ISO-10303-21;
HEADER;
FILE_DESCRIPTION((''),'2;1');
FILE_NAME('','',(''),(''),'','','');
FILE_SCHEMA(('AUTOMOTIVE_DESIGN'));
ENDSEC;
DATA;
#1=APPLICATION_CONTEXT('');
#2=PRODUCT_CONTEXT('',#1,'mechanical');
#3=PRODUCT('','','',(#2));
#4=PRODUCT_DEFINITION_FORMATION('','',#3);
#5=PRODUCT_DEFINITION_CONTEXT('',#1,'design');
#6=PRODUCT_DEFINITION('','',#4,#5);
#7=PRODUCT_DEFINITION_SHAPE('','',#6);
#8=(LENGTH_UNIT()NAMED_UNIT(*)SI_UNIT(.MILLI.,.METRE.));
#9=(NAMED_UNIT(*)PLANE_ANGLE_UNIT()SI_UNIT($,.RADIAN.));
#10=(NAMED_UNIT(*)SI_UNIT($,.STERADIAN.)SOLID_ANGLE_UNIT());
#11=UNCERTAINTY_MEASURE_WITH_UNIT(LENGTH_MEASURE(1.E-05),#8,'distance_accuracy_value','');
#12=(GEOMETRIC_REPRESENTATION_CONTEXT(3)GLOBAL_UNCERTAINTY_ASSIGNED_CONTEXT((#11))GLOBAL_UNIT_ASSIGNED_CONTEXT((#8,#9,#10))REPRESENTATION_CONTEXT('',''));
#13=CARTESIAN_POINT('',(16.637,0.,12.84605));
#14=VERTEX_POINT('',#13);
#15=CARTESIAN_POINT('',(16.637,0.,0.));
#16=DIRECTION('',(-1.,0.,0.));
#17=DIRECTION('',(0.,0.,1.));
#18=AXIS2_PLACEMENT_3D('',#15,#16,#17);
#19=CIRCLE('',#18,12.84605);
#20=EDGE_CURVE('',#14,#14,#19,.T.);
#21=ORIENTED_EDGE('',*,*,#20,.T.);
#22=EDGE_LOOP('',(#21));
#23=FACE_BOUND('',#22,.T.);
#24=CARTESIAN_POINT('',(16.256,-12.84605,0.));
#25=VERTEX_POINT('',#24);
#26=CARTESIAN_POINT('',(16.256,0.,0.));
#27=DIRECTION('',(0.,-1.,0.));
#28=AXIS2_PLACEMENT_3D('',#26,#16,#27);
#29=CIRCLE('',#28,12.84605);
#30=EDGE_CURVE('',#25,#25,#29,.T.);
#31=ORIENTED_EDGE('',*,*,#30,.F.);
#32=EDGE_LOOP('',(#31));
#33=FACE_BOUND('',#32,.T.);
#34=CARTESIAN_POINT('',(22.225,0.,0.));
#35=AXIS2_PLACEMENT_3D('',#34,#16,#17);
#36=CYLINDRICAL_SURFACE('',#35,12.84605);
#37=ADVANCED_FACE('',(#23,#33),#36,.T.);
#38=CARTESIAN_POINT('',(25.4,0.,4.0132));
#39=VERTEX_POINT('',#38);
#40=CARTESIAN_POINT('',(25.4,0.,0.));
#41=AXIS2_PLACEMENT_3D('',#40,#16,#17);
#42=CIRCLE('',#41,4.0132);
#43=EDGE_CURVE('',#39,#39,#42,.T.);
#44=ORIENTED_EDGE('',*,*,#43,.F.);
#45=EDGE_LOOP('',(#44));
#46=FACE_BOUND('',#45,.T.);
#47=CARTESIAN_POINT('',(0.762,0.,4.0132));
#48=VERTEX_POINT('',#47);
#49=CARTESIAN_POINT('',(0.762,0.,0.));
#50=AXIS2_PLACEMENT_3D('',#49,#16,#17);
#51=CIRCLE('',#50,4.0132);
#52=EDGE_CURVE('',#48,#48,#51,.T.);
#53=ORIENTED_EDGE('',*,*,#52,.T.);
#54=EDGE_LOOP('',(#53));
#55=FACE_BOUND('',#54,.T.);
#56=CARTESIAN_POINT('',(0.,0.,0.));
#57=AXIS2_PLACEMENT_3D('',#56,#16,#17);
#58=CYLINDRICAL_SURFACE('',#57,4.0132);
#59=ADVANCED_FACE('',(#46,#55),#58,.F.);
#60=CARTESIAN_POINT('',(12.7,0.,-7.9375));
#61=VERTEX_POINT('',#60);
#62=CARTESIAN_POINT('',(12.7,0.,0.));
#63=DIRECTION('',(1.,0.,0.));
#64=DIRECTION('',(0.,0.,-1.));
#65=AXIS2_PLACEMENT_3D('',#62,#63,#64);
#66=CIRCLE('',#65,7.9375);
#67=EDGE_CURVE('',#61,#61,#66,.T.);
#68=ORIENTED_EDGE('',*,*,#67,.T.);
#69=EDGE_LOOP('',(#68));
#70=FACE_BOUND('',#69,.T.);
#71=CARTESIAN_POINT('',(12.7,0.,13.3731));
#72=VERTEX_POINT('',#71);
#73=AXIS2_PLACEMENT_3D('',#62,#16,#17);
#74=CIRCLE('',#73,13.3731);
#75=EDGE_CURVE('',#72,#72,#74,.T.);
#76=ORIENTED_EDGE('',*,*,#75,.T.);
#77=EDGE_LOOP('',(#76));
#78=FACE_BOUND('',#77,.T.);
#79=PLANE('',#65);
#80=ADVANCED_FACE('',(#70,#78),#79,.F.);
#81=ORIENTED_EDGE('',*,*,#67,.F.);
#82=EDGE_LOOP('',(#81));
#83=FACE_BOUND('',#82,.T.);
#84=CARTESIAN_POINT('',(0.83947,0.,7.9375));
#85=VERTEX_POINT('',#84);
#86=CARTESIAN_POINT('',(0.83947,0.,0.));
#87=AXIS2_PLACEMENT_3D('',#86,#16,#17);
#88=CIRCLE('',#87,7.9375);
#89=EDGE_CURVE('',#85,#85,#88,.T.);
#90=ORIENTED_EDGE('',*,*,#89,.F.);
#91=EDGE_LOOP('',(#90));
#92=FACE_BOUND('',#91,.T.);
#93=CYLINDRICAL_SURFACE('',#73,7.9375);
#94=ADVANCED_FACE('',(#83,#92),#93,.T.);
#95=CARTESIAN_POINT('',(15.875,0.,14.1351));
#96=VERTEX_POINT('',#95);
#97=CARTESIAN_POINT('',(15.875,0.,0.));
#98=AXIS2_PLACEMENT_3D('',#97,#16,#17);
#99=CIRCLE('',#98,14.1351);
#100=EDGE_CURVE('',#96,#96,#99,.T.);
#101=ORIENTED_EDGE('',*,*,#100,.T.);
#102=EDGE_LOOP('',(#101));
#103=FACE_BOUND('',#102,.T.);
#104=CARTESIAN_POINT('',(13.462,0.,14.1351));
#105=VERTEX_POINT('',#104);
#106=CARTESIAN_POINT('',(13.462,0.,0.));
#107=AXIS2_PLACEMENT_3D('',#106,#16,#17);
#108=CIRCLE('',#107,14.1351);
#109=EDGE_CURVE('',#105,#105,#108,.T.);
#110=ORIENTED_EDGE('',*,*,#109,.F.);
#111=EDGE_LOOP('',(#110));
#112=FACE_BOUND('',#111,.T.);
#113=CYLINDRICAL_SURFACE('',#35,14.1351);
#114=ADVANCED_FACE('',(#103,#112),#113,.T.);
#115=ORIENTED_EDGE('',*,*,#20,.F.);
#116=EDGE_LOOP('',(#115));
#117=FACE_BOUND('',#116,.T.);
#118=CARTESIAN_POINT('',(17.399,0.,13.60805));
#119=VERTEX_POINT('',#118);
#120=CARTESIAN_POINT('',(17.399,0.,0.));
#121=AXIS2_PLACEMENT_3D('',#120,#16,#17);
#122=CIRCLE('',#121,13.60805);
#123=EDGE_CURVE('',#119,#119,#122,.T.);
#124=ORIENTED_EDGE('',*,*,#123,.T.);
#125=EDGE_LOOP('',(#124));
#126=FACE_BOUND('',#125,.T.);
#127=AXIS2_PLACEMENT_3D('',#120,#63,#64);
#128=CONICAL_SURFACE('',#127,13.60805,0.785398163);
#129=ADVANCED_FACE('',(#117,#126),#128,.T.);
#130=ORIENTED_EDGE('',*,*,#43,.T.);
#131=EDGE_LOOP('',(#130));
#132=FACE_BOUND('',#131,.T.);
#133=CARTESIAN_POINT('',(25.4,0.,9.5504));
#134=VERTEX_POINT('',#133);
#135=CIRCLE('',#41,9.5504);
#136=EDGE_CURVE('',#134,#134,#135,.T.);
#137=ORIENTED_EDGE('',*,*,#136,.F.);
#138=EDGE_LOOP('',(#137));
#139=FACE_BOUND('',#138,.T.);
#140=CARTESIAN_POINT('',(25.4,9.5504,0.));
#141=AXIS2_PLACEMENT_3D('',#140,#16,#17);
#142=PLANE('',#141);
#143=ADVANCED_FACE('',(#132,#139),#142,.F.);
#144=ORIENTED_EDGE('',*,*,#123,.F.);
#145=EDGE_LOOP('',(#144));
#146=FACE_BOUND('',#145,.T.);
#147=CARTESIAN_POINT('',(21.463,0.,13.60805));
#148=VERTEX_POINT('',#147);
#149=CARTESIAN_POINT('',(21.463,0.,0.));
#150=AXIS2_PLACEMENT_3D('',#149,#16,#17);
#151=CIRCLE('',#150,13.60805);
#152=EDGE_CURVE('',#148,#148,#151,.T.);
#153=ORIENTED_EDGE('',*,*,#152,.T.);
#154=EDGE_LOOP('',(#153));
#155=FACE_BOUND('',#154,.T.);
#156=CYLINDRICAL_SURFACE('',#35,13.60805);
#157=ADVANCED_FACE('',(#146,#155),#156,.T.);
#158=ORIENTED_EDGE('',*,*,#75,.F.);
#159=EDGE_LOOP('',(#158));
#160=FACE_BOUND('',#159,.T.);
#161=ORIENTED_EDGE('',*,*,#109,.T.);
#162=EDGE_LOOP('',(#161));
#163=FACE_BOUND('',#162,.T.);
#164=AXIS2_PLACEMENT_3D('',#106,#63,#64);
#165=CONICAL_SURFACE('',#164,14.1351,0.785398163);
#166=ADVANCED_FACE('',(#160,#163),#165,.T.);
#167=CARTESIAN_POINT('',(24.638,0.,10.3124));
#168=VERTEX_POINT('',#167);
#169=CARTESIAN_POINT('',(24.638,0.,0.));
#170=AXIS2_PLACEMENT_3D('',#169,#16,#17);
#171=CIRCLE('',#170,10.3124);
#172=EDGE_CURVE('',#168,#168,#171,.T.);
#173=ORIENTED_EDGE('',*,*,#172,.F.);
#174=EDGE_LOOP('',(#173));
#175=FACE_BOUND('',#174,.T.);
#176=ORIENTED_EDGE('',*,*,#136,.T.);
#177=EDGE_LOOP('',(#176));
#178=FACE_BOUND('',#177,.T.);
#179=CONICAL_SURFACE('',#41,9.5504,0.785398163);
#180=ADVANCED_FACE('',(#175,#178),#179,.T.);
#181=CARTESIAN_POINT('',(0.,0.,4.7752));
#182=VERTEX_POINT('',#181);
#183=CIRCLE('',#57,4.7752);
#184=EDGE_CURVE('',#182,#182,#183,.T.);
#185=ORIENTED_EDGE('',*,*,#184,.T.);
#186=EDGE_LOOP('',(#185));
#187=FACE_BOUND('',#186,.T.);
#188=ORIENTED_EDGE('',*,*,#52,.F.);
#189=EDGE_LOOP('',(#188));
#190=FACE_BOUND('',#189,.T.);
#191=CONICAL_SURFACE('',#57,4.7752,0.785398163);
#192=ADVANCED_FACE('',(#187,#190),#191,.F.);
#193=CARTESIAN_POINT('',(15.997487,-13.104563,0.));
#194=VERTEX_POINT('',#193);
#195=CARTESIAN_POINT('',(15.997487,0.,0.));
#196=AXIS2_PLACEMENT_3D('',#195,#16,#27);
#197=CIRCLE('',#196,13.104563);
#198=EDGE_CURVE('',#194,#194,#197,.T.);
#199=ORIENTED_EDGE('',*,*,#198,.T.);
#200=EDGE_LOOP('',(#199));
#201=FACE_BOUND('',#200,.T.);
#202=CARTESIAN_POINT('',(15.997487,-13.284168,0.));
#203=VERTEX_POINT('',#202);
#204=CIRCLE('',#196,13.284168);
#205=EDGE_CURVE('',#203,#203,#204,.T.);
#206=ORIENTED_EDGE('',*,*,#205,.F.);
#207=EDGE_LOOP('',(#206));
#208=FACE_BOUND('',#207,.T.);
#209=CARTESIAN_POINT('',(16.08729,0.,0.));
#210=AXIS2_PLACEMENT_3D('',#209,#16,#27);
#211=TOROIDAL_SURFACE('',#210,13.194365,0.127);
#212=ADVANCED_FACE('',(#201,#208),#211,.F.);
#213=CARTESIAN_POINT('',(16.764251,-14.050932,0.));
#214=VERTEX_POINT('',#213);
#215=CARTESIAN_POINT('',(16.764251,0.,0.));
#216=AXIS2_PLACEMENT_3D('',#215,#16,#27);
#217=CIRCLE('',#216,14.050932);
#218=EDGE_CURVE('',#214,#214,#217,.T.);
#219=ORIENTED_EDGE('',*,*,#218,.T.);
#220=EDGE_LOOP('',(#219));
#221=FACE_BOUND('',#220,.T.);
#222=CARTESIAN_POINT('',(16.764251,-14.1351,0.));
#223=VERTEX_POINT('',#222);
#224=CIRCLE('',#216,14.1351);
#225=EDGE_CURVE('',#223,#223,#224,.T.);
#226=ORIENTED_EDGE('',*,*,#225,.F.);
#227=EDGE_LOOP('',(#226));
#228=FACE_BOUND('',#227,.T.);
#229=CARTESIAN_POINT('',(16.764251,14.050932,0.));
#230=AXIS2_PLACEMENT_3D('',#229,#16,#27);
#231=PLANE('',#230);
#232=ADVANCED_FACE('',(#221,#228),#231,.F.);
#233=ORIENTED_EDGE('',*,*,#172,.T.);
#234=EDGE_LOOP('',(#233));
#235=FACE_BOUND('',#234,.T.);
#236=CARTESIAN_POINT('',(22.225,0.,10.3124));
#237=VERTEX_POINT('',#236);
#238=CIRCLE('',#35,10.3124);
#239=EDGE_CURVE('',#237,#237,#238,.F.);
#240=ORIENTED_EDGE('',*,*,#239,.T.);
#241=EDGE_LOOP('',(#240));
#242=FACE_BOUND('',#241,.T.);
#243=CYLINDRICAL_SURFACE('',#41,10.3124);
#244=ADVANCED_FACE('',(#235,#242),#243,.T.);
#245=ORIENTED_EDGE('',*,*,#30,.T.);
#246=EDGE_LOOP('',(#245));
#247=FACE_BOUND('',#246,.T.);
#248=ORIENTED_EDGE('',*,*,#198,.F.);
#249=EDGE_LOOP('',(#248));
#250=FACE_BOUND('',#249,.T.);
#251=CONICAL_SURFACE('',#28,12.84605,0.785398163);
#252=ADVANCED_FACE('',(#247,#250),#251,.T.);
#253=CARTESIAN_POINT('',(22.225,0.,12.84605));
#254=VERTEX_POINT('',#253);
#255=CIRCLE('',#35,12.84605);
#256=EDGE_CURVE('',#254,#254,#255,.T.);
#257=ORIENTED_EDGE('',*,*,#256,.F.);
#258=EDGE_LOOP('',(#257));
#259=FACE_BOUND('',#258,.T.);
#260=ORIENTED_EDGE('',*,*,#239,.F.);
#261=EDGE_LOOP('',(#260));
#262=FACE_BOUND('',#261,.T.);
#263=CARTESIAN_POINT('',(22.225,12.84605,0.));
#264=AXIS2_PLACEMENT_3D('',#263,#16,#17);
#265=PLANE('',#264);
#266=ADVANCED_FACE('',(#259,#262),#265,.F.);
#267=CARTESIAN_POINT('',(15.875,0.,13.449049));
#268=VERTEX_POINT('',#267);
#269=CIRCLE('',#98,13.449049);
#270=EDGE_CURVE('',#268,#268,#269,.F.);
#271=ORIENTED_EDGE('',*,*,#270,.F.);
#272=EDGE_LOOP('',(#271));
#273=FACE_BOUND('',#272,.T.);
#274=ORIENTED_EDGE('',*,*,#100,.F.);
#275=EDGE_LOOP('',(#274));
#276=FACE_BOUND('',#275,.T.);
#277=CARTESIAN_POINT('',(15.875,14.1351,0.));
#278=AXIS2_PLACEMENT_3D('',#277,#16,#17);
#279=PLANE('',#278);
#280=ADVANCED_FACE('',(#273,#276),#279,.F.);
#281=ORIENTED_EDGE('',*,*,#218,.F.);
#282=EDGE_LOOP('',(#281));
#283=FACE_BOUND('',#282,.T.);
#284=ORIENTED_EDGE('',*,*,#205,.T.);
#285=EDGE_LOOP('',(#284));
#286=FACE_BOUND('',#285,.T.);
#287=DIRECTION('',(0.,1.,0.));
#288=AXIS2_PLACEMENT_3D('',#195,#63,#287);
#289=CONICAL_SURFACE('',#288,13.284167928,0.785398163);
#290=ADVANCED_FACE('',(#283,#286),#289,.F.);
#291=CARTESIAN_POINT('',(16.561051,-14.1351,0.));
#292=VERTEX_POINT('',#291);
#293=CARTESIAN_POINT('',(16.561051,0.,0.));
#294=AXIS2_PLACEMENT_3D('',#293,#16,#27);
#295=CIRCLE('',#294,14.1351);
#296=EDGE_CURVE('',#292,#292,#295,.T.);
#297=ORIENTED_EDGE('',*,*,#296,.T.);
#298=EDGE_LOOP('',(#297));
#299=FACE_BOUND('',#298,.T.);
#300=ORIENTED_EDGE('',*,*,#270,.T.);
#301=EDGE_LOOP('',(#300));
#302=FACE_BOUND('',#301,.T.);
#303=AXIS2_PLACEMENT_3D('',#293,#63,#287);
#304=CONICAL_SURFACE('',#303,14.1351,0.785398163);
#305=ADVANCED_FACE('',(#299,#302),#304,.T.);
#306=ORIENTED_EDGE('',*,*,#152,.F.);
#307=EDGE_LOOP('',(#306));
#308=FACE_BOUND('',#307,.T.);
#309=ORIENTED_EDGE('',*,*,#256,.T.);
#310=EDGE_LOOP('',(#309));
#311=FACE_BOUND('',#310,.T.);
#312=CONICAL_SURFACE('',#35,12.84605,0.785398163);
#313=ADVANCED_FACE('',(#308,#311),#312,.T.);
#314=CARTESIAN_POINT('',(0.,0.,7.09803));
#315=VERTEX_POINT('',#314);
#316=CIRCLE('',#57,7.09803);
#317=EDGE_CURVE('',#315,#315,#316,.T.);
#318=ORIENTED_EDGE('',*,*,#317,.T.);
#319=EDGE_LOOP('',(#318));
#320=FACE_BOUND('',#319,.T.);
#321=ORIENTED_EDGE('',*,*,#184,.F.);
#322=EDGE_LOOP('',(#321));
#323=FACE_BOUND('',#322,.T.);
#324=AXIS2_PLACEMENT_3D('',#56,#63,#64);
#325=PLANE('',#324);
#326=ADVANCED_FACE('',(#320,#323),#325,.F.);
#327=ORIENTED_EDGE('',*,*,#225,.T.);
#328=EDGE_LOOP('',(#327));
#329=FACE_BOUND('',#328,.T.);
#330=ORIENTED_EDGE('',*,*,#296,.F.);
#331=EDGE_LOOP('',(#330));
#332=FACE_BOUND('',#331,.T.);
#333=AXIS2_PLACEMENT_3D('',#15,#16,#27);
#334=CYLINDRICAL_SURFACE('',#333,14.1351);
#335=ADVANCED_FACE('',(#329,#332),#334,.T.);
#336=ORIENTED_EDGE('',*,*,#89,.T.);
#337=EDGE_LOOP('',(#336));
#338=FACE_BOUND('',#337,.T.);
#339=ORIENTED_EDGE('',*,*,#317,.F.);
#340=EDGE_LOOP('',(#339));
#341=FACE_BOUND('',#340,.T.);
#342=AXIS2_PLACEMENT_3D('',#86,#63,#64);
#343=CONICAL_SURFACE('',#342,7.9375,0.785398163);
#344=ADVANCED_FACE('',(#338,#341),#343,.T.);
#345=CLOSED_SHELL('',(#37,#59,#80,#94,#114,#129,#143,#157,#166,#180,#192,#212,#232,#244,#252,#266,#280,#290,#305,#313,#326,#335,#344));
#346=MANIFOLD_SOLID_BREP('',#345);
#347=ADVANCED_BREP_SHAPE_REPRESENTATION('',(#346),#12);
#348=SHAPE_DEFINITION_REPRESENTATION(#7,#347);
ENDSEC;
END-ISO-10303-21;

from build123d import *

# Parameters (mm, degrees)
HOLE1_D           = 8.0264
HOLE1_CSINK_D     = 9.5504
HOLE1_CSINK_ANGLE = 90


with BuildPart() as part:
    # Sketch1 → Revolve1 (revolve)
    with BuildSketch(Plane.XY):
        Polygon((0, 0), (0, 7.09803), (0.83947, 7.9375), (12.7, 7.9375), (12.7, 0), align=None)
    revolve(axis=Axis((12.7, 0, 0), (-1, 0, 0)))

    # Sketch2 → Revolve2 (revolve)
    with BuildSketch(Plane.XY):
        Polygon((12.7, 0), (12.7, 13.3731), (13.462, 14.1351), (15.875, 14.1351), (15.875, 12.84605), (16.637, 12.84605), (17.399, 13.60805), (21.463, 13.60805), (22.225, 12.84605), (22.225, 0), align=None)
    revolve(axis=Axis((22.225, 0, 0), (-1, 0, 0)))

    # Sketch3 → Revolve3 (revolve)
    with BuildSketch(Plane.XY):
        Polygon((22.225, 0), (22.225, 10.3124), (24.638, 10.3124), (25.4, 9.5504), (25.4, 0), align=None)
    revolve(axis=Axis((25.4, 0, 0), (-1, 0, 0)))

    # Hole1 (through all)
    with Locations(Plane.ZY):
        with Locations((0, 0)):
            CounterSinkHole(HOLE1_D / 2, HOLE1_CSINK_D / 2, counter_sink_angle=HOLE1_CSINK_ANGLE)

    # Sketch6 → Revolve4 (revolve)
    with BuildSketch(Plane.XY):
        with BuildLine():
            Line((15.875, 12.59205), (16.637, 12.59205))
            Line((16.637, 12.59205), (16.637, 12.84605))
            Line((16.637, 12.84605), (16.256, 12.84605))
            Line((16.256, 12.84605), (15.997487194, 13.104562806))
            ThreePointArc((15.997487194, 13.104562806), (15.960289755, 13.194365367), (15.997487194, 13.284167928))
            Line((15.997487194, 13.284167928), (16.76425107, 14.050931804))
            Line((16.76425107, 14.050931804), (16.76425107, 14.1351))
            Line((16.76425107, 14.1351), (16.56105107, 14.1351))
            Line((16.56105107, 14.1351), (15.875, 13.44904893))
            Line((15.875, 13.44904893), (15.875, 12.59205))
        make_face()
    revolve(axis=Axis((16.637, 0, 0), (-1, 0, 0)))


solid = part.part
